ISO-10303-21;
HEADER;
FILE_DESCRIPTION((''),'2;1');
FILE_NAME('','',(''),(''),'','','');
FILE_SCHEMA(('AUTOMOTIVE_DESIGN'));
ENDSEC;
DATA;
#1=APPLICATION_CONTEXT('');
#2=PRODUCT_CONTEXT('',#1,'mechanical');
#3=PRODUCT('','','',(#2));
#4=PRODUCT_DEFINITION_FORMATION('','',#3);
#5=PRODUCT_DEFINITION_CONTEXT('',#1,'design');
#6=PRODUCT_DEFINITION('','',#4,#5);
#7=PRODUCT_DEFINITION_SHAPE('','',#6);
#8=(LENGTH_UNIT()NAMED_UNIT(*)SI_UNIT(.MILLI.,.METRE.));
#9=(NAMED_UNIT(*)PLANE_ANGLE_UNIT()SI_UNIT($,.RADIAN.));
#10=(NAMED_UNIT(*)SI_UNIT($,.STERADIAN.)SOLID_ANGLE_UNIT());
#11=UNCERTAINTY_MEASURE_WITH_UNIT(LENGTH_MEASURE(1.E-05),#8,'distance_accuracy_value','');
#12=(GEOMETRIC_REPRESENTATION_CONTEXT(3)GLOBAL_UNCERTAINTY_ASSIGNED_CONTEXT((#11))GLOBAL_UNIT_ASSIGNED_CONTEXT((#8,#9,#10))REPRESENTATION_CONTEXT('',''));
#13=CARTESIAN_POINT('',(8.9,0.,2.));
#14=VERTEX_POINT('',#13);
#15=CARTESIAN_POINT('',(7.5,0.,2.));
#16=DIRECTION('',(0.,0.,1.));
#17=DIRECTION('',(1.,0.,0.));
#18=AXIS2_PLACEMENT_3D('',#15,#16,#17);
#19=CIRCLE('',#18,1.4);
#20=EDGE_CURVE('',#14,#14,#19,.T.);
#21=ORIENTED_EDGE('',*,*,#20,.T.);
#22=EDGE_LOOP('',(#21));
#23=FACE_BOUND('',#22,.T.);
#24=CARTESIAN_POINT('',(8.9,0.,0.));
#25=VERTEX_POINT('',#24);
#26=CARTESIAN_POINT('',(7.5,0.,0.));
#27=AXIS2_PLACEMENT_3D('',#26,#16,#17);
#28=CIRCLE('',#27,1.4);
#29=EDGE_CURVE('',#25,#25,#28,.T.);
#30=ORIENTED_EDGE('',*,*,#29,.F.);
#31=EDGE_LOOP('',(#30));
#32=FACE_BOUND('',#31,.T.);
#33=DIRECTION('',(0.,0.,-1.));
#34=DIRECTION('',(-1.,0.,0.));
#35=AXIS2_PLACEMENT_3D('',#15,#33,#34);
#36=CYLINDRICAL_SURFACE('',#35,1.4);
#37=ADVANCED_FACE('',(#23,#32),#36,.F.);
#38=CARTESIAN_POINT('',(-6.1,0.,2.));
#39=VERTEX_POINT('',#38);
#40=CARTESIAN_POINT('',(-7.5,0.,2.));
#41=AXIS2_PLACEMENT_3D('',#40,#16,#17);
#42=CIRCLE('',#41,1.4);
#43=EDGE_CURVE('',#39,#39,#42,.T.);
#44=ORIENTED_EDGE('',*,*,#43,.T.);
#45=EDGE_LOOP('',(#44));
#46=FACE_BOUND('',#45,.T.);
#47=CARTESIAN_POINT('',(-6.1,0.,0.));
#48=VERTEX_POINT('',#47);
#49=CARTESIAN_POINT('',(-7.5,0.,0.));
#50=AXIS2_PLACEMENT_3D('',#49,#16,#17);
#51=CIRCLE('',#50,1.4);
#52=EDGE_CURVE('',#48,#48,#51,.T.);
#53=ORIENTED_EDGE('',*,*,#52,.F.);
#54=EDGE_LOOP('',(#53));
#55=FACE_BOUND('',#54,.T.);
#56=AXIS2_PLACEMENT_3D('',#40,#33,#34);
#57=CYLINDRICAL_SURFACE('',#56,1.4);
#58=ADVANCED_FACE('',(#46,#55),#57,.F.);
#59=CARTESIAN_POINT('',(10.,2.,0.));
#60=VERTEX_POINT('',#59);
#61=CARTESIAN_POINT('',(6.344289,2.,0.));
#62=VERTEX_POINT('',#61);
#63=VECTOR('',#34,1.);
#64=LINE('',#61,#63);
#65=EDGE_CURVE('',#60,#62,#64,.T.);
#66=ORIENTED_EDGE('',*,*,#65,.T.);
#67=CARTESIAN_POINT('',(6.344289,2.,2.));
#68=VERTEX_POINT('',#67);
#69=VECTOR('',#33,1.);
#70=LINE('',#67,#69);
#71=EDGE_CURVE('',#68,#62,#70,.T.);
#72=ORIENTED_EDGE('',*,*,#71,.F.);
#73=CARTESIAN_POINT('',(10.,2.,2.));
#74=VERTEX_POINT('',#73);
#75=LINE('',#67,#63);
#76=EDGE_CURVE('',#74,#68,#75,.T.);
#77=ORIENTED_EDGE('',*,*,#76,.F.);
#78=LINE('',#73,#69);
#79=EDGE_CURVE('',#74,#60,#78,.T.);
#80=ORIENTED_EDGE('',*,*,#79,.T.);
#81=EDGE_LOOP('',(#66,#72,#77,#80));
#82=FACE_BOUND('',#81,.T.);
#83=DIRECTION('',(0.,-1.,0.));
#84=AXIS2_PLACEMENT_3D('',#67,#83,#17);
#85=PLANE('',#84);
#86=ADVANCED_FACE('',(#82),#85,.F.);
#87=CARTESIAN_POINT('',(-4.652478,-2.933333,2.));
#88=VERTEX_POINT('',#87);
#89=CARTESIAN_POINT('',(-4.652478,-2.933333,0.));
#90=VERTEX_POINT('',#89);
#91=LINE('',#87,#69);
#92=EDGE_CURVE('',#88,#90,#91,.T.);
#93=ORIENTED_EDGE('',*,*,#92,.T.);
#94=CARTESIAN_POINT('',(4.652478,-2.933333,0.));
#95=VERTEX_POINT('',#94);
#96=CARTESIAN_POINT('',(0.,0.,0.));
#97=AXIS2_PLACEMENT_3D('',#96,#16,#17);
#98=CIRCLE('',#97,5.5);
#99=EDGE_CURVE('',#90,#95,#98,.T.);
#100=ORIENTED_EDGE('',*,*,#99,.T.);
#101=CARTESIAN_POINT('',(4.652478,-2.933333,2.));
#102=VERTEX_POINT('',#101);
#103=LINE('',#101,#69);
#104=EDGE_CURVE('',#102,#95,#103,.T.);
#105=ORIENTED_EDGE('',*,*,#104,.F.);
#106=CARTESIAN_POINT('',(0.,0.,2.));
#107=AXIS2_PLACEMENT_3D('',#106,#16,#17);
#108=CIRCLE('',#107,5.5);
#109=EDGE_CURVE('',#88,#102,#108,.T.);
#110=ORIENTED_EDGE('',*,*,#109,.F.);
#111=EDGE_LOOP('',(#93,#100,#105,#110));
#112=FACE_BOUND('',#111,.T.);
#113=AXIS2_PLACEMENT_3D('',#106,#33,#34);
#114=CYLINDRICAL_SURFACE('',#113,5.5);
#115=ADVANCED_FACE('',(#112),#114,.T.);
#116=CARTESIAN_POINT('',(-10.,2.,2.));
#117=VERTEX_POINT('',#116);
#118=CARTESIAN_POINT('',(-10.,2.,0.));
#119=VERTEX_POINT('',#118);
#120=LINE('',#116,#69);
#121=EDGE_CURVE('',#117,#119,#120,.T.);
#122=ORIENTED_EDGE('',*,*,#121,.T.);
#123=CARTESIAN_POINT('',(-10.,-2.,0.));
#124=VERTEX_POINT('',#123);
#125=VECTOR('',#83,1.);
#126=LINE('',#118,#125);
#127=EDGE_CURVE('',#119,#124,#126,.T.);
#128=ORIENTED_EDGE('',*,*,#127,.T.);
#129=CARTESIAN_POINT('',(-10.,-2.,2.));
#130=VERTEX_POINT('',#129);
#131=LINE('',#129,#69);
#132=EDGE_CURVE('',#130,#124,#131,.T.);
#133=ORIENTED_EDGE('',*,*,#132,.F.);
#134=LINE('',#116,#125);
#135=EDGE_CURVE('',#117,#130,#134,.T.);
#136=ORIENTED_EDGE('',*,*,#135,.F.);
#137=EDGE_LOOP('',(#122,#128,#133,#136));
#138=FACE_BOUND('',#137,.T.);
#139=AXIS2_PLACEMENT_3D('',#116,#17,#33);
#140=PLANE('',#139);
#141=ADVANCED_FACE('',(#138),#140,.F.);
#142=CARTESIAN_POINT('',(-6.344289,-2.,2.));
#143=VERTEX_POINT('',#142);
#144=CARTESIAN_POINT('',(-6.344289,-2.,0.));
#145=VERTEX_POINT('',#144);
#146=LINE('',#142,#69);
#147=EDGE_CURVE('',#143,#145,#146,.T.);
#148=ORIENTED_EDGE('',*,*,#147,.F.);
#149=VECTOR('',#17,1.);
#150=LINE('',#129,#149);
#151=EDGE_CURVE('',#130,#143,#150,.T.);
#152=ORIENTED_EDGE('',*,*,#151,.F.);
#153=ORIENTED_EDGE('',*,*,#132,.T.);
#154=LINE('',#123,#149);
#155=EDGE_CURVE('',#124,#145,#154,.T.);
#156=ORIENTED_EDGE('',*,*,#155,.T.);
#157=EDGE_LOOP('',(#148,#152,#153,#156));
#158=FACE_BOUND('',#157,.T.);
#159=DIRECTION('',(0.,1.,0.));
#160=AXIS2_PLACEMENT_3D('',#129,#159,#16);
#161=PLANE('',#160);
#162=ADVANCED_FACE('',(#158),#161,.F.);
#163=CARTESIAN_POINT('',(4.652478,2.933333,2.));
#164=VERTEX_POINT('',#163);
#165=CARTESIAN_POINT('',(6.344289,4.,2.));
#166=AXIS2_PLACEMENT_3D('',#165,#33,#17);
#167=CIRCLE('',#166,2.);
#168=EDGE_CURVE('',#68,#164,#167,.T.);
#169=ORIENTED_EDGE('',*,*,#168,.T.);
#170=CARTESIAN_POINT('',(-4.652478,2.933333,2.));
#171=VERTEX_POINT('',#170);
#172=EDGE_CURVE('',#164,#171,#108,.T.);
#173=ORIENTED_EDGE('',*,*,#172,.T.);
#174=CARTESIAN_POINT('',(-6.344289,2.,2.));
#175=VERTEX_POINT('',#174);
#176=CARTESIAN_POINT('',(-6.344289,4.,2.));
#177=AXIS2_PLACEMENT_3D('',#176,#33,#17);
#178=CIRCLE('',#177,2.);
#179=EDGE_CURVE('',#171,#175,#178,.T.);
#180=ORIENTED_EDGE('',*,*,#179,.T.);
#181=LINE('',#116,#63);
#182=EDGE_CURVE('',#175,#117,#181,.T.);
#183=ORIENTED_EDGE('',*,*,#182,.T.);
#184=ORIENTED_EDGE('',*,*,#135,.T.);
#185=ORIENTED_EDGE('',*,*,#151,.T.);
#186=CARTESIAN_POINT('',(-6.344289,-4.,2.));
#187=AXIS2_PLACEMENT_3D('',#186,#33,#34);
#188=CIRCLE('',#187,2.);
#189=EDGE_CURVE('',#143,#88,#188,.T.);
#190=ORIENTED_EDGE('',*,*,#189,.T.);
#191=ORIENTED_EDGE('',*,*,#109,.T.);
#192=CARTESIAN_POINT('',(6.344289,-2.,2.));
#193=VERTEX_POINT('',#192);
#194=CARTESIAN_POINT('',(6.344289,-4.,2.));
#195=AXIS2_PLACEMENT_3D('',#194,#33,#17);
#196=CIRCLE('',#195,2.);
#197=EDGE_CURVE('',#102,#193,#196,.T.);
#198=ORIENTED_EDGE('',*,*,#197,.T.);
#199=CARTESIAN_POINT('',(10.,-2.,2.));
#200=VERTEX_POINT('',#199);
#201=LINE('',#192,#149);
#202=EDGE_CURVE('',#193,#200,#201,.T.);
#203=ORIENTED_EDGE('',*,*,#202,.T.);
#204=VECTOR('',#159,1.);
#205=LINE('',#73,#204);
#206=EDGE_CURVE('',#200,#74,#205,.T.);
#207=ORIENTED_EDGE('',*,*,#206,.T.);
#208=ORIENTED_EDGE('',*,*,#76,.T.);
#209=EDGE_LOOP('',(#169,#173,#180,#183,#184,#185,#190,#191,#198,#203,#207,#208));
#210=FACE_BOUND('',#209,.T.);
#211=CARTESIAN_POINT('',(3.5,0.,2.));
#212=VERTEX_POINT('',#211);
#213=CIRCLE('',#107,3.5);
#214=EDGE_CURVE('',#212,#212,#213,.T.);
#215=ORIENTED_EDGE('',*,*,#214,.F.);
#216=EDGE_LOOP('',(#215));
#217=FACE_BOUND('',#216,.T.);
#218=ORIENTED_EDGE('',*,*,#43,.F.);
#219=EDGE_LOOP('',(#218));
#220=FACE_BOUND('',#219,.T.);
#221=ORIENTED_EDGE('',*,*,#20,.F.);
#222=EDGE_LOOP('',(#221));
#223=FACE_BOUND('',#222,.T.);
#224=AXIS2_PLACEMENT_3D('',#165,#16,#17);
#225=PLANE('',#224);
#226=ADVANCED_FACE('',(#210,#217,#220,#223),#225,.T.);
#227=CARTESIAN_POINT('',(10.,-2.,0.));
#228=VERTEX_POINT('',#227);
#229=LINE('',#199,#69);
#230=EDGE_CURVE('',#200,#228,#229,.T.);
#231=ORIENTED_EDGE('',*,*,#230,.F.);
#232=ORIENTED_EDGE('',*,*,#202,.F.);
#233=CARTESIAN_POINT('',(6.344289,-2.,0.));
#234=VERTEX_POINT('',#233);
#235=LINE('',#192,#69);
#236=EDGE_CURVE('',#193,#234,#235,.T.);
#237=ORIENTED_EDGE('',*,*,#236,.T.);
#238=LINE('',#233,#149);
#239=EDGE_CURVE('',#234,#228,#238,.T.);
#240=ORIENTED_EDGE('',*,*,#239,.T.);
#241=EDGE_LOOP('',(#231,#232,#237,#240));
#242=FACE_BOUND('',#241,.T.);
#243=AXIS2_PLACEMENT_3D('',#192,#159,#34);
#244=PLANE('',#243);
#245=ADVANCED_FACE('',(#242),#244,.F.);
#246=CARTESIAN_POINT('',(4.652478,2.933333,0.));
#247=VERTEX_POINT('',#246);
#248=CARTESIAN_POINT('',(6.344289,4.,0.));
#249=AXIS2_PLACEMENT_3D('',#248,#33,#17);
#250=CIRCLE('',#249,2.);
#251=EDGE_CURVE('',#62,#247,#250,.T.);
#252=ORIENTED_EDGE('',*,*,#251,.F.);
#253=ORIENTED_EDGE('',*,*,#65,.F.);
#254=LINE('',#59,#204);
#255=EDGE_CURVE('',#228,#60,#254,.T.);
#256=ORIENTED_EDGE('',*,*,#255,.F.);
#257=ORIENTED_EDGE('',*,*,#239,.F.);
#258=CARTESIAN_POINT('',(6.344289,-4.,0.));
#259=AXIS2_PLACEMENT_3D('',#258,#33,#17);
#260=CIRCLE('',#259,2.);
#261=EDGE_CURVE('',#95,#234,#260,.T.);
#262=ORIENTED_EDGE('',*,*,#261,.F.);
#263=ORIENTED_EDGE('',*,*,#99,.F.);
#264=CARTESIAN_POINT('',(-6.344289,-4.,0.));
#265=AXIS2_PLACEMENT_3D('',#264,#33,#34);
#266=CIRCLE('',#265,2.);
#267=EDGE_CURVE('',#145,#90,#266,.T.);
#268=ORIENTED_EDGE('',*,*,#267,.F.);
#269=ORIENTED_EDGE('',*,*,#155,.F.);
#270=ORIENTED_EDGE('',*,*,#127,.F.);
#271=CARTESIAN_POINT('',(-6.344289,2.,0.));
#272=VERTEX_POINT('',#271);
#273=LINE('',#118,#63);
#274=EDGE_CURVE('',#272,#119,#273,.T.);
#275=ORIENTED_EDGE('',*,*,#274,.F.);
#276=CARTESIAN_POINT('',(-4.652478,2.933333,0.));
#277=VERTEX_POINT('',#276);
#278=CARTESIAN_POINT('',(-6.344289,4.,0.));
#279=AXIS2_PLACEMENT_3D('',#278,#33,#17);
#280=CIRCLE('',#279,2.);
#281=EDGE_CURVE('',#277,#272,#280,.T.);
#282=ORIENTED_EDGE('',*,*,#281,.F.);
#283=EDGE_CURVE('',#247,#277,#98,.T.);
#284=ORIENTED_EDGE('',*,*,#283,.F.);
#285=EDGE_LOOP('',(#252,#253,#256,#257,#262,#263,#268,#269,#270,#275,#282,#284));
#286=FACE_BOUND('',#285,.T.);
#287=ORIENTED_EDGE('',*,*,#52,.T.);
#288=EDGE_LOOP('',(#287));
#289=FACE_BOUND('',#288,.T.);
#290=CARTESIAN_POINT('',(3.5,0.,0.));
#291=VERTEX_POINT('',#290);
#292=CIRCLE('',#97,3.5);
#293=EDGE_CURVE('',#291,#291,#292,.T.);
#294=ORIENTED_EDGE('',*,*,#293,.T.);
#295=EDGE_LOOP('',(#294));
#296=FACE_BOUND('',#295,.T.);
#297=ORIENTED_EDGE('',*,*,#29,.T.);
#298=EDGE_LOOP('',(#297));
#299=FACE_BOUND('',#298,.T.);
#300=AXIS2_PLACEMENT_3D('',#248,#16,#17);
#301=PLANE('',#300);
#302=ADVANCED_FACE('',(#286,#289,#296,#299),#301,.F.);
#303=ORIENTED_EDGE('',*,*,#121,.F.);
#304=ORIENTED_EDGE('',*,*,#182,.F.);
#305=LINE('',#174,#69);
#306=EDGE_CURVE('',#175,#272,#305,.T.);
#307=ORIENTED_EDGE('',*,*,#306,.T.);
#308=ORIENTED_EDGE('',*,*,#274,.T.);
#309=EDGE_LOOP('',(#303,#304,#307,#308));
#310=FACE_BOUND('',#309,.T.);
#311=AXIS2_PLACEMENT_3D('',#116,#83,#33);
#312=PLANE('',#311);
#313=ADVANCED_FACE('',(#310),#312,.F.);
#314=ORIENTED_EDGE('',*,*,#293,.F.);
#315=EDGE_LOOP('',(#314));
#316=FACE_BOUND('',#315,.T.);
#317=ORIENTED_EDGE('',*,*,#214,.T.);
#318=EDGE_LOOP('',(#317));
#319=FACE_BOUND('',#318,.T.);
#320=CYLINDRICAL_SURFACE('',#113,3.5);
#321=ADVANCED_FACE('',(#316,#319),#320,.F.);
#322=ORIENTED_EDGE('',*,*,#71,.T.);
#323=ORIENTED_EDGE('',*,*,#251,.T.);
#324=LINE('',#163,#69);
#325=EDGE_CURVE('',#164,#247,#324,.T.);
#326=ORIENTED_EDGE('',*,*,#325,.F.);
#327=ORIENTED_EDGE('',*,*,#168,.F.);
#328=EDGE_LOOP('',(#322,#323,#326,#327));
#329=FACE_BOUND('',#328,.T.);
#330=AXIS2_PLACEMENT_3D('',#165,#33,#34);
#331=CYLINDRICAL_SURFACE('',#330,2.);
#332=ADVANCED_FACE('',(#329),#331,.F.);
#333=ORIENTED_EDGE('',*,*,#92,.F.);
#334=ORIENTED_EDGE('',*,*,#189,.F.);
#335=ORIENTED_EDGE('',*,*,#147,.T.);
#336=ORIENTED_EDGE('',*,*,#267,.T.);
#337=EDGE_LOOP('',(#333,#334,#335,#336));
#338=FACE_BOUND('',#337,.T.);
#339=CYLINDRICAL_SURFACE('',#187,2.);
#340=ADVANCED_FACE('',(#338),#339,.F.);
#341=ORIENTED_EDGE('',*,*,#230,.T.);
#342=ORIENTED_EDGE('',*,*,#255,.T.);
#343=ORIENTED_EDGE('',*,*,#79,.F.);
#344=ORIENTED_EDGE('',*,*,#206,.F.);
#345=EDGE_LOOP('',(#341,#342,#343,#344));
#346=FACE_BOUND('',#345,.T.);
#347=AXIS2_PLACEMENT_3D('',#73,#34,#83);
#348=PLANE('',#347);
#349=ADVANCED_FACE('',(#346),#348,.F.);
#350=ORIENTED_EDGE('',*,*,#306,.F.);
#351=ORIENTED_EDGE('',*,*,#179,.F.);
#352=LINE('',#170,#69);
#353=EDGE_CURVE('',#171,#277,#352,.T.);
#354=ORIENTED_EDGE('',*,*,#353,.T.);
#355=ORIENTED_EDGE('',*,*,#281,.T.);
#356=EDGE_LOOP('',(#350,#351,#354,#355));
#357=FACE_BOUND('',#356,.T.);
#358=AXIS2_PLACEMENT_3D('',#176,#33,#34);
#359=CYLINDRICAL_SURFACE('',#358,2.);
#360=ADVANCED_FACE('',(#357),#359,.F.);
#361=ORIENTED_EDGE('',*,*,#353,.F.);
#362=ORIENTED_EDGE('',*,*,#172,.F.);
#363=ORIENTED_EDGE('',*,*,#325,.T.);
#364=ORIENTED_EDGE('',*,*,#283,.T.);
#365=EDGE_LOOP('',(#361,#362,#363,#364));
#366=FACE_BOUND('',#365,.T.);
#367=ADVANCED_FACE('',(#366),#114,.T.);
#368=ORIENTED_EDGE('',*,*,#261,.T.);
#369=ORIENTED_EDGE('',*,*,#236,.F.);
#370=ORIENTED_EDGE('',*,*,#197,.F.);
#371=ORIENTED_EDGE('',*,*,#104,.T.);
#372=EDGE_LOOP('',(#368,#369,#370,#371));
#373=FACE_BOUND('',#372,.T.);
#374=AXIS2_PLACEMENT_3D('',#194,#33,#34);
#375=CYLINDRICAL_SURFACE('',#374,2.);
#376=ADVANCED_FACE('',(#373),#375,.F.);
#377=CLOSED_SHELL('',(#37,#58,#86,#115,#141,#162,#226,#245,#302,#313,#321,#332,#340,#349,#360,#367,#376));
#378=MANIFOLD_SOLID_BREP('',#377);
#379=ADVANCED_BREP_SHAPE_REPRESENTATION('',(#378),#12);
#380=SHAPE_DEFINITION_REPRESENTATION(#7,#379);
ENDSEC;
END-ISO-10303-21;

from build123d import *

# Parameters (mm, degrees)
SKETCH_1_R      = 3.5
SKETCH_1_R_2    = 1.4
EXTRUDE_1_DEPTH = 2


with BuildPart() as part:
    # 草图1 → 凸台-拉伸1 (new body)
    with BuildSketch(Plane.XY):
        with BuildLine():
            Line((-10, -2), (-6.34428877, -2))
            ThreePointArc((-6.34428877, -2), (-5.378196987, -2.248809928), (-4.652478431, -2.933333333))
            ThreePointArc((-4.652478431, -2.933333333), (0, -5.5), (4.652478431, -2.933333333))
            ThreePointArc((4.652478431, -2.933333333), (5.378196987, -2.248809928), (6.34428877, -2))
            Line((6.34428877, -2), (10, -2))
            Line((10, -2), (10, 2))
            Line((10, 2), (6.34428877, 2))
            ThreePointArc((6.34428877, 2), (5.378196987, 2.248809928), (4.652478431, 2.933333333))
            ThreePointArc((4.652478431, 2.933333333), (0, 5.5), (-4.652478431, 2.933333333))
            ThreePointArc((-4.652478431, 2.933333333), (-5.378196987, 2.248809928), (-6.34428877, 2))
            Line((-6.34428877, 2), (-10, 2))
            Line((-10, 2), (-10, -2))
        make_face()
        Circle(SKETCH_1_R, mode=Mode.SUBTRACT)
        with Locations((-7.5, 0)):
            Circle(SKETCH_1_R_2, mode=Mode.SUBTRACT)
        with Locations((7.5, 0)):
            Circle(SKETCH_1_R_2, mode=Mode.SUBTRACT)
    extrude(amount=EXTRUDE_1_DEPTH)


solid = part.part
